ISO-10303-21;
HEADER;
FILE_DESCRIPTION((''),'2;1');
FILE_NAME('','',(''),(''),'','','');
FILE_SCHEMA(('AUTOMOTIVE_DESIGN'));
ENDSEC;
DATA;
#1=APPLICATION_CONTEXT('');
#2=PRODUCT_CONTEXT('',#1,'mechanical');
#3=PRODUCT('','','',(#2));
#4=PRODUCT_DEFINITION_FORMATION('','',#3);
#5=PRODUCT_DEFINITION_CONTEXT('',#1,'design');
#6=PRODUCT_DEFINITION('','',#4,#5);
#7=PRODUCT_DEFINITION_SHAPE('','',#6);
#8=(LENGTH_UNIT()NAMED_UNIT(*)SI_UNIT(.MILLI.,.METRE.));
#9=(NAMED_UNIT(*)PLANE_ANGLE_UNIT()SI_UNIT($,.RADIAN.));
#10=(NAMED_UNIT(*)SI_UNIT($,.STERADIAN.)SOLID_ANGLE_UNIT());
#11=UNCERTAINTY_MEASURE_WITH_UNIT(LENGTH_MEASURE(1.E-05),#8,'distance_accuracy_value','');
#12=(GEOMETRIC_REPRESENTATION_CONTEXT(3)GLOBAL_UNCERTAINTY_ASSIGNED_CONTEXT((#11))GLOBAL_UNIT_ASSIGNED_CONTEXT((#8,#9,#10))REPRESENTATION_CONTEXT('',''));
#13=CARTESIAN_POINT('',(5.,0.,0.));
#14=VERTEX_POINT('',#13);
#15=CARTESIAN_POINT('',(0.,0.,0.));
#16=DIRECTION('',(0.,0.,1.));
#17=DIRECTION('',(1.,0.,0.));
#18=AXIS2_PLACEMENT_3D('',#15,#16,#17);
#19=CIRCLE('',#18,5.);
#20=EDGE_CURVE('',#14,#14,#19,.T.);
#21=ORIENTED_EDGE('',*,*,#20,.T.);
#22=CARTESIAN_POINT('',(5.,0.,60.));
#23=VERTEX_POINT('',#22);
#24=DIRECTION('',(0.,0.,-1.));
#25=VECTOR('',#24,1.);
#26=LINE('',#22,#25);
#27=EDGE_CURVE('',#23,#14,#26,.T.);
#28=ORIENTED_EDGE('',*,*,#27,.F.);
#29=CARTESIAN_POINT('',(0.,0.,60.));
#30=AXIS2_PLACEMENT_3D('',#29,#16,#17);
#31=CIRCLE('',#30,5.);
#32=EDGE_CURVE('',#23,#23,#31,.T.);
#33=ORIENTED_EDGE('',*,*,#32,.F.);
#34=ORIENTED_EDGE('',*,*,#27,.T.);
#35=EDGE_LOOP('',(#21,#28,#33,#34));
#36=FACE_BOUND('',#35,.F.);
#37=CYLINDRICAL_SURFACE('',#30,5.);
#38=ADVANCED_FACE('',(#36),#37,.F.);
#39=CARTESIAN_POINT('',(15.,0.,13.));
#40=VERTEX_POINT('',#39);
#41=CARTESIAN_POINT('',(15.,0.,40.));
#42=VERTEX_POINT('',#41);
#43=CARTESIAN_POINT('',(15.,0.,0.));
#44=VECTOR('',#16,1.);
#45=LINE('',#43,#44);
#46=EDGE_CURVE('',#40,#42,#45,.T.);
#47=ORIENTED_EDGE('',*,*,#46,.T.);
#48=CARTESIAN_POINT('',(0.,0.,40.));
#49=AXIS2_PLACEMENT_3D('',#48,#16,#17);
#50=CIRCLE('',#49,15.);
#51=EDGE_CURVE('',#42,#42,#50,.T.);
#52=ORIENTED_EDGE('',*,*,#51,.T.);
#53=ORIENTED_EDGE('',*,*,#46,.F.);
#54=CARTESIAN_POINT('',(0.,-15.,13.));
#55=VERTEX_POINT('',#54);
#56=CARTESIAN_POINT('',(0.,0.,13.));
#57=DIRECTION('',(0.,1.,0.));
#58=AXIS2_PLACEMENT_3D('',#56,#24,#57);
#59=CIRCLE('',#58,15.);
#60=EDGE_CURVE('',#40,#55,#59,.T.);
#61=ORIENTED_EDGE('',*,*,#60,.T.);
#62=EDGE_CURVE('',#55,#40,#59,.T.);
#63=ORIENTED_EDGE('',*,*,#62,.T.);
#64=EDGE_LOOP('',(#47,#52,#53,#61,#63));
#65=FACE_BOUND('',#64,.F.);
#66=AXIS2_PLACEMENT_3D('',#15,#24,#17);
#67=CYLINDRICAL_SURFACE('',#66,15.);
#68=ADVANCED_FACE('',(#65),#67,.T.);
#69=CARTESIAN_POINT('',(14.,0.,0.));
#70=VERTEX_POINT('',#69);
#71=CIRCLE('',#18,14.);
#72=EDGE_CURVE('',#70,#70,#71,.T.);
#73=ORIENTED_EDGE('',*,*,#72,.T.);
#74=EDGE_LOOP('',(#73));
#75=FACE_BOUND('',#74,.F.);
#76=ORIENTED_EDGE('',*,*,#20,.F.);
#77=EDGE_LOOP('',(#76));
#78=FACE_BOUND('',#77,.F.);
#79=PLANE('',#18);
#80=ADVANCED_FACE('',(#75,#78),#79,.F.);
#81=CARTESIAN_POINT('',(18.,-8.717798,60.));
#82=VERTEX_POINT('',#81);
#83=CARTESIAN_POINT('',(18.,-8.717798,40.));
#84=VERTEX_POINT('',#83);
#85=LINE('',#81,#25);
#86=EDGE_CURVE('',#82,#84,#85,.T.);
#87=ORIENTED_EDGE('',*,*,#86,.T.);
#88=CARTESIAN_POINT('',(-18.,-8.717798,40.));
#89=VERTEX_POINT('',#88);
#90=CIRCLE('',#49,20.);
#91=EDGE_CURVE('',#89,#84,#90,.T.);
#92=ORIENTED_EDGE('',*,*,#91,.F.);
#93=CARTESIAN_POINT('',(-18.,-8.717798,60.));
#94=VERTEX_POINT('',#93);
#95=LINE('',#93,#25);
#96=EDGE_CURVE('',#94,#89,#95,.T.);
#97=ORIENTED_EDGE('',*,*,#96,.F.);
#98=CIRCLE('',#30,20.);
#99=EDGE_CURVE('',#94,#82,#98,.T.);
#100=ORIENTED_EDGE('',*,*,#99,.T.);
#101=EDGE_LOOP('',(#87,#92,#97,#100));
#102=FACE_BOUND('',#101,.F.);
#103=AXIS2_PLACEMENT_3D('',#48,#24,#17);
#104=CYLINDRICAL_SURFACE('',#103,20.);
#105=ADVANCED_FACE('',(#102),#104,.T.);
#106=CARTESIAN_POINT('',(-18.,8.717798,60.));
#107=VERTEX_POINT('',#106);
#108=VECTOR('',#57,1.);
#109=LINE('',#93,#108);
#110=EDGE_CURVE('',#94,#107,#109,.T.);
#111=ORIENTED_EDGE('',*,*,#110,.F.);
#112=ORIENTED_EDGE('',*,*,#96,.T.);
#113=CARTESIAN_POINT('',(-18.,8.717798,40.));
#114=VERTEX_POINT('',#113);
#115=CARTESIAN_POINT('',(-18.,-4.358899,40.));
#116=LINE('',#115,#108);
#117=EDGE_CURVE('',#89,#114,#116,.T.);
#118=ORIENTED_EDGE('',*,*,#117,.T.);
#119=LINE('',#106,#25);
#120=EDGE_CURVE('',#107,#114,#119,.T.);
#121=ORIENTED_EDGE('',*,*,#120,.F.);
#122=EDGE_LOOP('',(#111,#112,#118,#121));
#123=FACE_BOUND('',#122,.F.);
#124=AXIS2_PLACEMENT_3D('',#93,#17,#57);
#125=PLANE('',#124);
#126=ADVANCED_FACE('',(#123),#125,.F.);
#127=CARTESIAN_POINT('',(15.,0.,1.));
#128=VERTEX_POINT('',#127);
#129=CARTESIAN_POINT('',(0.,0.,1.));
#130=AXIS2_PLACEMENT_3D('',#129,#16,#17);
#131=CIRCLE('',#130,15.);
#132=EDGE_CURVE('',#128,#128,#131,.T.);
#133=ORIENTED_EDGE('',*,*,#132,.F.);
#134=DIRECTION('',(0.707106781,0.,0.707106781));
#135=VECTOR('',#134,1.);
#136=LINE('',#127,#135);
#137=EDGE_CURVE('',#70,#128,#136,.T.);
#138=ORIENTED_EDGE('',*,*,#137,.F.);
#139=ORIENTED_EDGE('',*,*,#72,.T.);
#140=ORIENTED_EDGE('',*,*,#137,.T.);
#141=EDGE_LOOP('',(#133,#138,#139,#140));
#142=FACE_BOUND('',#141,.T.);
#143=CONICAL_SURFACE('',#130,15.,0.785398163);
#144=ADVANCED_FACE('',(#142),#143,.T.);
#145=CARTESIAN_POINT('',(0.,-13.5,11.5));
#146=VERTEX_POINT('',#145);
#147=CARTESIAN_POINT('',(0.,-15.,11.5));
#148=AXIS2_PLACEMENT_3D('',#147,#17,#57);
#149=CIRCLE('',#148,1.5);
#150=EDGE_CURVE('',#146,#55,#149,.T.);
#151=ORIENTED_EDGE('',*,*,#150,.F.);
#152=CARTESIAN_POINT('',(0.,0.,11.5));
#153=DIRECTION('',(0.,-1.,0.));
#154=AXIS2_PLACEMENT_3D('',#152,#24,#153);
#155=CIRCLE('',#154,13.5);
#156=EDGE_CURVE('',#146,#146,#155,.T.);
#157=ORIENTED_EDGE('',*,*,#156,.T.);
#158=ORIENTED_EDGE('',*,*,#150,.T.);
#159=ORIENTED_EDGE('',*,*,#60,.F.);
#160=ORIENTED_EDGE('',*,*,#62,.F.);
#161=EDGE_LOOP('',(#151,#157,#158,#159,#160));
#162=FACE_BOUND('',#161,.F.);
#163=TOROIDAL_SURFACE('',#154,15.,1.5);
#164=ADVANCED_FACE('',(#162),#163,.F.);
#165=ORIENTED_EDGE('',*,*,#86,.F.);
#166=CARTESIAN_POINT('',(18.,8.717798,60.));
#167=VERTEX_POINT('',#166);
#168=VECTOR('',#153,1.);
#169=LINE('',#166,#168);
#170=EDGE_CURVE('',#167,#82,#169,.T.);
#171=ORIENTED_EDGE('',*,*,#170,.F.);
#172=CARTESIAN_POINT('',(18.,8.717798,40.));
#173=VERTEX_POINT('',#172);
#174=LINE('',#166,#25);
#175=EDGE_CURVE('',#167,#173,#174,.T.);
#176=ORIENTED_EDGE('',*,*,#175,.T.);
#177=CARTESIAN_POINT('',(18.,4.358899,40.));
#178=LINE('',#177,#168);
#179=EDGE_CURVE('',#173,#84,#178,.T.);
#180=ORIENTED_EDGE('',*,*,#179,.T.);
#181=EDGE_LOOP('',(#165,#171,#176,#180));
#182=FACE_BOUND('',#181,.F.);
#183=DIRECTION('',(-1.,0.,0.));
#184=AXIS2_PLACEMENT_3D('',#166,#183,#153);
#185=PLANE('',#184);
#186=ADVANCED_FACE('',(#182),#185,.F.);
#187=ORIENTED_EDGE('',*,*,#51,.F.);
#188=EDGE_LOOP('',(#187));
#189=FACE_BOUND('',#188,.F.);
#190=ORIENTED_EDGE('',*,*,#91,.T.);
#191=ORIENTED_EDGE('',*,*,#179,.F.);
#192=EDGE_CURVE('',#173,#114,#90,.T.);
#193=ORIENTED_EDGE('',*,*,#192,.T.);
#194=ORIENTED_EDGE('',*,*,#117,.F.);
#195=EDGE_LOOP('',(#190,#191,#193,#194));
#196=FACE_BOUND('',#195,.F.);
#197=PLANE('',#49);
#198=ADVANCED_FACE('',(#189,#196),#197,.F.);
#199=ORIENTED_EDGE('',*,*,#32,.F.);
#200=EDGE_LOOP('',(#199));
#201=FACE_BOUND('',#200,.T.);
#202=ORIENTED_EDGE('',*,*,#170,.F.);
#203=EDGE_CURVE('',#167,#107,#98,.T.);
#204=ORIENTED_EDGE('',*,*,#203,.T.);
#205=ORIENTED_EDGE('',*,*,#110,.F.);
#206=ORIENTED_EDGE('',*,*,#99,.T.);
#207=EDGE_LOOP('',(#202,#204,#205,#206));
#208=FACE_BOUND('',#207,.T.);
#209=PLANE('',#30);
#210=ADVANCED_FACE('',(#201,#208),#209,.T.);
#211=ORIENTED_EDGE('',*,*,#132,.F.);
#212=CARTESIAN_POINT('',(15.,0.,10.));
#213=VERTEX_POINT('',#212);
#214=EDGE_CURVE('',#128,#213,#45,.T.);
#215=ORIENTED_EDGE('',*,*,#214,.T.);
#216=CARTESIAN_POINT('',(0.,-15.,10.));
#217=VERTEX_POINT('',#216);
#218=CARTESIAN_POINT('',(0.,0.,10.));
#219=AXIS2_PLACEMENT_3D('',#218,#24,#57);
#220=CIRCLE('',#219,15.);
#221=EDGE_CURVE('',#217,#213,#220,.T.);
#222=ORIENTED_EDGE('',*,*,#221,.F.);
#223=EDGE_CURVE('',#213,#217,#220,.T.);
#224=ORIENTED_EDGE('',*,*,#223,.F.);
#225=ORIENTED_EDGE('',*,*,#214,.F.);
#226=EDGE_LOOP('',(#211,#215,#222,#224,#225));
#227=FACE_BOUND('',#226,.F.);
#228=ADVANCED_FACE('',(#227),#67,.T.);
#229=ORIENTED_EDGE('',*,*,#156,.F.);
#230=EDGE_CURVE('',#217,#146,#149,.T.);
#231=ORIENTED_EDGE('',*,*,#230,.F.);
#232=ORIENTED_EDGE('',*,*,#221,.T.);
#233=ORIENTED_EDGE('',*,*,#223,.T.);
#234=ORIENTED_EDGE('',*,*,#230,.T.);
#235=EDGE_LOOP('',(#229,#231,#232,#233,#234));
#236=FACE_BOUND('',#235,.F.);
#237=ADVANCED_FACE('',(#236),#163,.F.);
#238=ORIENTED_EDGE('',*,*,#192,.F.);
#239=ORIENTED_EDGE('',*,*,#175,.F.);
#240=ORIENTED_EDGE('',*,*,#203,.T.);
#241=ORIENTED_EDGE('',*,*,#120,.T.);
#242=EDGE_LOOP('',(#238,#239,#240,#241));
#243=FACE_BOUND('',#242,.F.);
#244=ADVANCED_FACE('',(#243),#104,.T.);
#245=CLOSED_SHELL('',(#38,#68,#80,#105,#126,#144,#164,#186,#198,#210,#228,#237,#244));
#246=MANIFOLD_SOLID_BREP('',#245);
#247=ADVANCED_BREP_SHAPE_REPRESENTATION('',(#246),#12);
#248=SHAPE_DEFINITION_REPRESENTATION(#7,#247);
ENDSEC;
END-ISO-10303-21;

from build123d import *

# Parameters (mm, degrees)
F0_R     = 15
F1_DEPTH = 40
F2_R     = 20
F4_DEPTH = 20
F5_R     = 5
F6_DEPTH = 60.001
F8_DEPTH = 60.001
F9_R     = 1.5
F11_SIZE = 1


with BuildPart() as f1:
    # F0 (on Top) → F1 (new body)
    with BuildSketch(Plane.XY):
        Circle(F0_R)
    extrude(amount=F1_DEPTH)

    # F2 (on face) → F4 (join, through all)
    with BuildSketch(Plane.XY.offset(40)):
        Circle(F2_R)
    extrude(amount=F4_DEPTH)

    # F5 (on face) → F6 (cut, through all)
    with BuildSketch(Plane.XY.offset(60)):
        Circle(F5_R)
    extrude(amount=-F6_DEPTH, mode=Mode.SUBTRACT)

    # F7 (on face) → F8 (cut, through all)
    with BuildSketch(Plane.XY.offset(60)):
        with BuildLine():
            Line((-18, -8.7177978871), (-18, 0))
            Line((-18, 0), (-18, 8.7177978871))
            ThreePointArc((-18, 8.7177978871), (-20, 0), (-18, -8.7177978871))
        make_face()
        with BuildLine():
            Line((18, 8.7177978871), (18, 0))
            Line((18, 0), (18, -8.7177978871))
            ThreePointArc((18, -8.7177978871), (19.4935886896, -4.472135955), (20, 0))
            ThreePointArc((20, 0), (19.4935886896, 4.472135955), (18, 8.7177978871))
        make_face()
    extrude(amount=-F8_DEPTH, mode=Mode.SUBTRACT)

    # F9 (on Right) → F10 (revolve, cut)
    with BuildSketch(Plane.YZ):
        with Locations((-15, 11.5)):
            Circle(F9_R)
    revolve(axis=Axis((0, 0, 0), (0, 0, -1)), mode=Mode.SUBTRACT)

    # F11
    f11_edges = [f1.edges().sort_by_distance(p)[0] for p in [
        (-15, 0, 0),
    ]]
    chamfer(f11_edges, length=F11_SIZE)


solid = f1.part
